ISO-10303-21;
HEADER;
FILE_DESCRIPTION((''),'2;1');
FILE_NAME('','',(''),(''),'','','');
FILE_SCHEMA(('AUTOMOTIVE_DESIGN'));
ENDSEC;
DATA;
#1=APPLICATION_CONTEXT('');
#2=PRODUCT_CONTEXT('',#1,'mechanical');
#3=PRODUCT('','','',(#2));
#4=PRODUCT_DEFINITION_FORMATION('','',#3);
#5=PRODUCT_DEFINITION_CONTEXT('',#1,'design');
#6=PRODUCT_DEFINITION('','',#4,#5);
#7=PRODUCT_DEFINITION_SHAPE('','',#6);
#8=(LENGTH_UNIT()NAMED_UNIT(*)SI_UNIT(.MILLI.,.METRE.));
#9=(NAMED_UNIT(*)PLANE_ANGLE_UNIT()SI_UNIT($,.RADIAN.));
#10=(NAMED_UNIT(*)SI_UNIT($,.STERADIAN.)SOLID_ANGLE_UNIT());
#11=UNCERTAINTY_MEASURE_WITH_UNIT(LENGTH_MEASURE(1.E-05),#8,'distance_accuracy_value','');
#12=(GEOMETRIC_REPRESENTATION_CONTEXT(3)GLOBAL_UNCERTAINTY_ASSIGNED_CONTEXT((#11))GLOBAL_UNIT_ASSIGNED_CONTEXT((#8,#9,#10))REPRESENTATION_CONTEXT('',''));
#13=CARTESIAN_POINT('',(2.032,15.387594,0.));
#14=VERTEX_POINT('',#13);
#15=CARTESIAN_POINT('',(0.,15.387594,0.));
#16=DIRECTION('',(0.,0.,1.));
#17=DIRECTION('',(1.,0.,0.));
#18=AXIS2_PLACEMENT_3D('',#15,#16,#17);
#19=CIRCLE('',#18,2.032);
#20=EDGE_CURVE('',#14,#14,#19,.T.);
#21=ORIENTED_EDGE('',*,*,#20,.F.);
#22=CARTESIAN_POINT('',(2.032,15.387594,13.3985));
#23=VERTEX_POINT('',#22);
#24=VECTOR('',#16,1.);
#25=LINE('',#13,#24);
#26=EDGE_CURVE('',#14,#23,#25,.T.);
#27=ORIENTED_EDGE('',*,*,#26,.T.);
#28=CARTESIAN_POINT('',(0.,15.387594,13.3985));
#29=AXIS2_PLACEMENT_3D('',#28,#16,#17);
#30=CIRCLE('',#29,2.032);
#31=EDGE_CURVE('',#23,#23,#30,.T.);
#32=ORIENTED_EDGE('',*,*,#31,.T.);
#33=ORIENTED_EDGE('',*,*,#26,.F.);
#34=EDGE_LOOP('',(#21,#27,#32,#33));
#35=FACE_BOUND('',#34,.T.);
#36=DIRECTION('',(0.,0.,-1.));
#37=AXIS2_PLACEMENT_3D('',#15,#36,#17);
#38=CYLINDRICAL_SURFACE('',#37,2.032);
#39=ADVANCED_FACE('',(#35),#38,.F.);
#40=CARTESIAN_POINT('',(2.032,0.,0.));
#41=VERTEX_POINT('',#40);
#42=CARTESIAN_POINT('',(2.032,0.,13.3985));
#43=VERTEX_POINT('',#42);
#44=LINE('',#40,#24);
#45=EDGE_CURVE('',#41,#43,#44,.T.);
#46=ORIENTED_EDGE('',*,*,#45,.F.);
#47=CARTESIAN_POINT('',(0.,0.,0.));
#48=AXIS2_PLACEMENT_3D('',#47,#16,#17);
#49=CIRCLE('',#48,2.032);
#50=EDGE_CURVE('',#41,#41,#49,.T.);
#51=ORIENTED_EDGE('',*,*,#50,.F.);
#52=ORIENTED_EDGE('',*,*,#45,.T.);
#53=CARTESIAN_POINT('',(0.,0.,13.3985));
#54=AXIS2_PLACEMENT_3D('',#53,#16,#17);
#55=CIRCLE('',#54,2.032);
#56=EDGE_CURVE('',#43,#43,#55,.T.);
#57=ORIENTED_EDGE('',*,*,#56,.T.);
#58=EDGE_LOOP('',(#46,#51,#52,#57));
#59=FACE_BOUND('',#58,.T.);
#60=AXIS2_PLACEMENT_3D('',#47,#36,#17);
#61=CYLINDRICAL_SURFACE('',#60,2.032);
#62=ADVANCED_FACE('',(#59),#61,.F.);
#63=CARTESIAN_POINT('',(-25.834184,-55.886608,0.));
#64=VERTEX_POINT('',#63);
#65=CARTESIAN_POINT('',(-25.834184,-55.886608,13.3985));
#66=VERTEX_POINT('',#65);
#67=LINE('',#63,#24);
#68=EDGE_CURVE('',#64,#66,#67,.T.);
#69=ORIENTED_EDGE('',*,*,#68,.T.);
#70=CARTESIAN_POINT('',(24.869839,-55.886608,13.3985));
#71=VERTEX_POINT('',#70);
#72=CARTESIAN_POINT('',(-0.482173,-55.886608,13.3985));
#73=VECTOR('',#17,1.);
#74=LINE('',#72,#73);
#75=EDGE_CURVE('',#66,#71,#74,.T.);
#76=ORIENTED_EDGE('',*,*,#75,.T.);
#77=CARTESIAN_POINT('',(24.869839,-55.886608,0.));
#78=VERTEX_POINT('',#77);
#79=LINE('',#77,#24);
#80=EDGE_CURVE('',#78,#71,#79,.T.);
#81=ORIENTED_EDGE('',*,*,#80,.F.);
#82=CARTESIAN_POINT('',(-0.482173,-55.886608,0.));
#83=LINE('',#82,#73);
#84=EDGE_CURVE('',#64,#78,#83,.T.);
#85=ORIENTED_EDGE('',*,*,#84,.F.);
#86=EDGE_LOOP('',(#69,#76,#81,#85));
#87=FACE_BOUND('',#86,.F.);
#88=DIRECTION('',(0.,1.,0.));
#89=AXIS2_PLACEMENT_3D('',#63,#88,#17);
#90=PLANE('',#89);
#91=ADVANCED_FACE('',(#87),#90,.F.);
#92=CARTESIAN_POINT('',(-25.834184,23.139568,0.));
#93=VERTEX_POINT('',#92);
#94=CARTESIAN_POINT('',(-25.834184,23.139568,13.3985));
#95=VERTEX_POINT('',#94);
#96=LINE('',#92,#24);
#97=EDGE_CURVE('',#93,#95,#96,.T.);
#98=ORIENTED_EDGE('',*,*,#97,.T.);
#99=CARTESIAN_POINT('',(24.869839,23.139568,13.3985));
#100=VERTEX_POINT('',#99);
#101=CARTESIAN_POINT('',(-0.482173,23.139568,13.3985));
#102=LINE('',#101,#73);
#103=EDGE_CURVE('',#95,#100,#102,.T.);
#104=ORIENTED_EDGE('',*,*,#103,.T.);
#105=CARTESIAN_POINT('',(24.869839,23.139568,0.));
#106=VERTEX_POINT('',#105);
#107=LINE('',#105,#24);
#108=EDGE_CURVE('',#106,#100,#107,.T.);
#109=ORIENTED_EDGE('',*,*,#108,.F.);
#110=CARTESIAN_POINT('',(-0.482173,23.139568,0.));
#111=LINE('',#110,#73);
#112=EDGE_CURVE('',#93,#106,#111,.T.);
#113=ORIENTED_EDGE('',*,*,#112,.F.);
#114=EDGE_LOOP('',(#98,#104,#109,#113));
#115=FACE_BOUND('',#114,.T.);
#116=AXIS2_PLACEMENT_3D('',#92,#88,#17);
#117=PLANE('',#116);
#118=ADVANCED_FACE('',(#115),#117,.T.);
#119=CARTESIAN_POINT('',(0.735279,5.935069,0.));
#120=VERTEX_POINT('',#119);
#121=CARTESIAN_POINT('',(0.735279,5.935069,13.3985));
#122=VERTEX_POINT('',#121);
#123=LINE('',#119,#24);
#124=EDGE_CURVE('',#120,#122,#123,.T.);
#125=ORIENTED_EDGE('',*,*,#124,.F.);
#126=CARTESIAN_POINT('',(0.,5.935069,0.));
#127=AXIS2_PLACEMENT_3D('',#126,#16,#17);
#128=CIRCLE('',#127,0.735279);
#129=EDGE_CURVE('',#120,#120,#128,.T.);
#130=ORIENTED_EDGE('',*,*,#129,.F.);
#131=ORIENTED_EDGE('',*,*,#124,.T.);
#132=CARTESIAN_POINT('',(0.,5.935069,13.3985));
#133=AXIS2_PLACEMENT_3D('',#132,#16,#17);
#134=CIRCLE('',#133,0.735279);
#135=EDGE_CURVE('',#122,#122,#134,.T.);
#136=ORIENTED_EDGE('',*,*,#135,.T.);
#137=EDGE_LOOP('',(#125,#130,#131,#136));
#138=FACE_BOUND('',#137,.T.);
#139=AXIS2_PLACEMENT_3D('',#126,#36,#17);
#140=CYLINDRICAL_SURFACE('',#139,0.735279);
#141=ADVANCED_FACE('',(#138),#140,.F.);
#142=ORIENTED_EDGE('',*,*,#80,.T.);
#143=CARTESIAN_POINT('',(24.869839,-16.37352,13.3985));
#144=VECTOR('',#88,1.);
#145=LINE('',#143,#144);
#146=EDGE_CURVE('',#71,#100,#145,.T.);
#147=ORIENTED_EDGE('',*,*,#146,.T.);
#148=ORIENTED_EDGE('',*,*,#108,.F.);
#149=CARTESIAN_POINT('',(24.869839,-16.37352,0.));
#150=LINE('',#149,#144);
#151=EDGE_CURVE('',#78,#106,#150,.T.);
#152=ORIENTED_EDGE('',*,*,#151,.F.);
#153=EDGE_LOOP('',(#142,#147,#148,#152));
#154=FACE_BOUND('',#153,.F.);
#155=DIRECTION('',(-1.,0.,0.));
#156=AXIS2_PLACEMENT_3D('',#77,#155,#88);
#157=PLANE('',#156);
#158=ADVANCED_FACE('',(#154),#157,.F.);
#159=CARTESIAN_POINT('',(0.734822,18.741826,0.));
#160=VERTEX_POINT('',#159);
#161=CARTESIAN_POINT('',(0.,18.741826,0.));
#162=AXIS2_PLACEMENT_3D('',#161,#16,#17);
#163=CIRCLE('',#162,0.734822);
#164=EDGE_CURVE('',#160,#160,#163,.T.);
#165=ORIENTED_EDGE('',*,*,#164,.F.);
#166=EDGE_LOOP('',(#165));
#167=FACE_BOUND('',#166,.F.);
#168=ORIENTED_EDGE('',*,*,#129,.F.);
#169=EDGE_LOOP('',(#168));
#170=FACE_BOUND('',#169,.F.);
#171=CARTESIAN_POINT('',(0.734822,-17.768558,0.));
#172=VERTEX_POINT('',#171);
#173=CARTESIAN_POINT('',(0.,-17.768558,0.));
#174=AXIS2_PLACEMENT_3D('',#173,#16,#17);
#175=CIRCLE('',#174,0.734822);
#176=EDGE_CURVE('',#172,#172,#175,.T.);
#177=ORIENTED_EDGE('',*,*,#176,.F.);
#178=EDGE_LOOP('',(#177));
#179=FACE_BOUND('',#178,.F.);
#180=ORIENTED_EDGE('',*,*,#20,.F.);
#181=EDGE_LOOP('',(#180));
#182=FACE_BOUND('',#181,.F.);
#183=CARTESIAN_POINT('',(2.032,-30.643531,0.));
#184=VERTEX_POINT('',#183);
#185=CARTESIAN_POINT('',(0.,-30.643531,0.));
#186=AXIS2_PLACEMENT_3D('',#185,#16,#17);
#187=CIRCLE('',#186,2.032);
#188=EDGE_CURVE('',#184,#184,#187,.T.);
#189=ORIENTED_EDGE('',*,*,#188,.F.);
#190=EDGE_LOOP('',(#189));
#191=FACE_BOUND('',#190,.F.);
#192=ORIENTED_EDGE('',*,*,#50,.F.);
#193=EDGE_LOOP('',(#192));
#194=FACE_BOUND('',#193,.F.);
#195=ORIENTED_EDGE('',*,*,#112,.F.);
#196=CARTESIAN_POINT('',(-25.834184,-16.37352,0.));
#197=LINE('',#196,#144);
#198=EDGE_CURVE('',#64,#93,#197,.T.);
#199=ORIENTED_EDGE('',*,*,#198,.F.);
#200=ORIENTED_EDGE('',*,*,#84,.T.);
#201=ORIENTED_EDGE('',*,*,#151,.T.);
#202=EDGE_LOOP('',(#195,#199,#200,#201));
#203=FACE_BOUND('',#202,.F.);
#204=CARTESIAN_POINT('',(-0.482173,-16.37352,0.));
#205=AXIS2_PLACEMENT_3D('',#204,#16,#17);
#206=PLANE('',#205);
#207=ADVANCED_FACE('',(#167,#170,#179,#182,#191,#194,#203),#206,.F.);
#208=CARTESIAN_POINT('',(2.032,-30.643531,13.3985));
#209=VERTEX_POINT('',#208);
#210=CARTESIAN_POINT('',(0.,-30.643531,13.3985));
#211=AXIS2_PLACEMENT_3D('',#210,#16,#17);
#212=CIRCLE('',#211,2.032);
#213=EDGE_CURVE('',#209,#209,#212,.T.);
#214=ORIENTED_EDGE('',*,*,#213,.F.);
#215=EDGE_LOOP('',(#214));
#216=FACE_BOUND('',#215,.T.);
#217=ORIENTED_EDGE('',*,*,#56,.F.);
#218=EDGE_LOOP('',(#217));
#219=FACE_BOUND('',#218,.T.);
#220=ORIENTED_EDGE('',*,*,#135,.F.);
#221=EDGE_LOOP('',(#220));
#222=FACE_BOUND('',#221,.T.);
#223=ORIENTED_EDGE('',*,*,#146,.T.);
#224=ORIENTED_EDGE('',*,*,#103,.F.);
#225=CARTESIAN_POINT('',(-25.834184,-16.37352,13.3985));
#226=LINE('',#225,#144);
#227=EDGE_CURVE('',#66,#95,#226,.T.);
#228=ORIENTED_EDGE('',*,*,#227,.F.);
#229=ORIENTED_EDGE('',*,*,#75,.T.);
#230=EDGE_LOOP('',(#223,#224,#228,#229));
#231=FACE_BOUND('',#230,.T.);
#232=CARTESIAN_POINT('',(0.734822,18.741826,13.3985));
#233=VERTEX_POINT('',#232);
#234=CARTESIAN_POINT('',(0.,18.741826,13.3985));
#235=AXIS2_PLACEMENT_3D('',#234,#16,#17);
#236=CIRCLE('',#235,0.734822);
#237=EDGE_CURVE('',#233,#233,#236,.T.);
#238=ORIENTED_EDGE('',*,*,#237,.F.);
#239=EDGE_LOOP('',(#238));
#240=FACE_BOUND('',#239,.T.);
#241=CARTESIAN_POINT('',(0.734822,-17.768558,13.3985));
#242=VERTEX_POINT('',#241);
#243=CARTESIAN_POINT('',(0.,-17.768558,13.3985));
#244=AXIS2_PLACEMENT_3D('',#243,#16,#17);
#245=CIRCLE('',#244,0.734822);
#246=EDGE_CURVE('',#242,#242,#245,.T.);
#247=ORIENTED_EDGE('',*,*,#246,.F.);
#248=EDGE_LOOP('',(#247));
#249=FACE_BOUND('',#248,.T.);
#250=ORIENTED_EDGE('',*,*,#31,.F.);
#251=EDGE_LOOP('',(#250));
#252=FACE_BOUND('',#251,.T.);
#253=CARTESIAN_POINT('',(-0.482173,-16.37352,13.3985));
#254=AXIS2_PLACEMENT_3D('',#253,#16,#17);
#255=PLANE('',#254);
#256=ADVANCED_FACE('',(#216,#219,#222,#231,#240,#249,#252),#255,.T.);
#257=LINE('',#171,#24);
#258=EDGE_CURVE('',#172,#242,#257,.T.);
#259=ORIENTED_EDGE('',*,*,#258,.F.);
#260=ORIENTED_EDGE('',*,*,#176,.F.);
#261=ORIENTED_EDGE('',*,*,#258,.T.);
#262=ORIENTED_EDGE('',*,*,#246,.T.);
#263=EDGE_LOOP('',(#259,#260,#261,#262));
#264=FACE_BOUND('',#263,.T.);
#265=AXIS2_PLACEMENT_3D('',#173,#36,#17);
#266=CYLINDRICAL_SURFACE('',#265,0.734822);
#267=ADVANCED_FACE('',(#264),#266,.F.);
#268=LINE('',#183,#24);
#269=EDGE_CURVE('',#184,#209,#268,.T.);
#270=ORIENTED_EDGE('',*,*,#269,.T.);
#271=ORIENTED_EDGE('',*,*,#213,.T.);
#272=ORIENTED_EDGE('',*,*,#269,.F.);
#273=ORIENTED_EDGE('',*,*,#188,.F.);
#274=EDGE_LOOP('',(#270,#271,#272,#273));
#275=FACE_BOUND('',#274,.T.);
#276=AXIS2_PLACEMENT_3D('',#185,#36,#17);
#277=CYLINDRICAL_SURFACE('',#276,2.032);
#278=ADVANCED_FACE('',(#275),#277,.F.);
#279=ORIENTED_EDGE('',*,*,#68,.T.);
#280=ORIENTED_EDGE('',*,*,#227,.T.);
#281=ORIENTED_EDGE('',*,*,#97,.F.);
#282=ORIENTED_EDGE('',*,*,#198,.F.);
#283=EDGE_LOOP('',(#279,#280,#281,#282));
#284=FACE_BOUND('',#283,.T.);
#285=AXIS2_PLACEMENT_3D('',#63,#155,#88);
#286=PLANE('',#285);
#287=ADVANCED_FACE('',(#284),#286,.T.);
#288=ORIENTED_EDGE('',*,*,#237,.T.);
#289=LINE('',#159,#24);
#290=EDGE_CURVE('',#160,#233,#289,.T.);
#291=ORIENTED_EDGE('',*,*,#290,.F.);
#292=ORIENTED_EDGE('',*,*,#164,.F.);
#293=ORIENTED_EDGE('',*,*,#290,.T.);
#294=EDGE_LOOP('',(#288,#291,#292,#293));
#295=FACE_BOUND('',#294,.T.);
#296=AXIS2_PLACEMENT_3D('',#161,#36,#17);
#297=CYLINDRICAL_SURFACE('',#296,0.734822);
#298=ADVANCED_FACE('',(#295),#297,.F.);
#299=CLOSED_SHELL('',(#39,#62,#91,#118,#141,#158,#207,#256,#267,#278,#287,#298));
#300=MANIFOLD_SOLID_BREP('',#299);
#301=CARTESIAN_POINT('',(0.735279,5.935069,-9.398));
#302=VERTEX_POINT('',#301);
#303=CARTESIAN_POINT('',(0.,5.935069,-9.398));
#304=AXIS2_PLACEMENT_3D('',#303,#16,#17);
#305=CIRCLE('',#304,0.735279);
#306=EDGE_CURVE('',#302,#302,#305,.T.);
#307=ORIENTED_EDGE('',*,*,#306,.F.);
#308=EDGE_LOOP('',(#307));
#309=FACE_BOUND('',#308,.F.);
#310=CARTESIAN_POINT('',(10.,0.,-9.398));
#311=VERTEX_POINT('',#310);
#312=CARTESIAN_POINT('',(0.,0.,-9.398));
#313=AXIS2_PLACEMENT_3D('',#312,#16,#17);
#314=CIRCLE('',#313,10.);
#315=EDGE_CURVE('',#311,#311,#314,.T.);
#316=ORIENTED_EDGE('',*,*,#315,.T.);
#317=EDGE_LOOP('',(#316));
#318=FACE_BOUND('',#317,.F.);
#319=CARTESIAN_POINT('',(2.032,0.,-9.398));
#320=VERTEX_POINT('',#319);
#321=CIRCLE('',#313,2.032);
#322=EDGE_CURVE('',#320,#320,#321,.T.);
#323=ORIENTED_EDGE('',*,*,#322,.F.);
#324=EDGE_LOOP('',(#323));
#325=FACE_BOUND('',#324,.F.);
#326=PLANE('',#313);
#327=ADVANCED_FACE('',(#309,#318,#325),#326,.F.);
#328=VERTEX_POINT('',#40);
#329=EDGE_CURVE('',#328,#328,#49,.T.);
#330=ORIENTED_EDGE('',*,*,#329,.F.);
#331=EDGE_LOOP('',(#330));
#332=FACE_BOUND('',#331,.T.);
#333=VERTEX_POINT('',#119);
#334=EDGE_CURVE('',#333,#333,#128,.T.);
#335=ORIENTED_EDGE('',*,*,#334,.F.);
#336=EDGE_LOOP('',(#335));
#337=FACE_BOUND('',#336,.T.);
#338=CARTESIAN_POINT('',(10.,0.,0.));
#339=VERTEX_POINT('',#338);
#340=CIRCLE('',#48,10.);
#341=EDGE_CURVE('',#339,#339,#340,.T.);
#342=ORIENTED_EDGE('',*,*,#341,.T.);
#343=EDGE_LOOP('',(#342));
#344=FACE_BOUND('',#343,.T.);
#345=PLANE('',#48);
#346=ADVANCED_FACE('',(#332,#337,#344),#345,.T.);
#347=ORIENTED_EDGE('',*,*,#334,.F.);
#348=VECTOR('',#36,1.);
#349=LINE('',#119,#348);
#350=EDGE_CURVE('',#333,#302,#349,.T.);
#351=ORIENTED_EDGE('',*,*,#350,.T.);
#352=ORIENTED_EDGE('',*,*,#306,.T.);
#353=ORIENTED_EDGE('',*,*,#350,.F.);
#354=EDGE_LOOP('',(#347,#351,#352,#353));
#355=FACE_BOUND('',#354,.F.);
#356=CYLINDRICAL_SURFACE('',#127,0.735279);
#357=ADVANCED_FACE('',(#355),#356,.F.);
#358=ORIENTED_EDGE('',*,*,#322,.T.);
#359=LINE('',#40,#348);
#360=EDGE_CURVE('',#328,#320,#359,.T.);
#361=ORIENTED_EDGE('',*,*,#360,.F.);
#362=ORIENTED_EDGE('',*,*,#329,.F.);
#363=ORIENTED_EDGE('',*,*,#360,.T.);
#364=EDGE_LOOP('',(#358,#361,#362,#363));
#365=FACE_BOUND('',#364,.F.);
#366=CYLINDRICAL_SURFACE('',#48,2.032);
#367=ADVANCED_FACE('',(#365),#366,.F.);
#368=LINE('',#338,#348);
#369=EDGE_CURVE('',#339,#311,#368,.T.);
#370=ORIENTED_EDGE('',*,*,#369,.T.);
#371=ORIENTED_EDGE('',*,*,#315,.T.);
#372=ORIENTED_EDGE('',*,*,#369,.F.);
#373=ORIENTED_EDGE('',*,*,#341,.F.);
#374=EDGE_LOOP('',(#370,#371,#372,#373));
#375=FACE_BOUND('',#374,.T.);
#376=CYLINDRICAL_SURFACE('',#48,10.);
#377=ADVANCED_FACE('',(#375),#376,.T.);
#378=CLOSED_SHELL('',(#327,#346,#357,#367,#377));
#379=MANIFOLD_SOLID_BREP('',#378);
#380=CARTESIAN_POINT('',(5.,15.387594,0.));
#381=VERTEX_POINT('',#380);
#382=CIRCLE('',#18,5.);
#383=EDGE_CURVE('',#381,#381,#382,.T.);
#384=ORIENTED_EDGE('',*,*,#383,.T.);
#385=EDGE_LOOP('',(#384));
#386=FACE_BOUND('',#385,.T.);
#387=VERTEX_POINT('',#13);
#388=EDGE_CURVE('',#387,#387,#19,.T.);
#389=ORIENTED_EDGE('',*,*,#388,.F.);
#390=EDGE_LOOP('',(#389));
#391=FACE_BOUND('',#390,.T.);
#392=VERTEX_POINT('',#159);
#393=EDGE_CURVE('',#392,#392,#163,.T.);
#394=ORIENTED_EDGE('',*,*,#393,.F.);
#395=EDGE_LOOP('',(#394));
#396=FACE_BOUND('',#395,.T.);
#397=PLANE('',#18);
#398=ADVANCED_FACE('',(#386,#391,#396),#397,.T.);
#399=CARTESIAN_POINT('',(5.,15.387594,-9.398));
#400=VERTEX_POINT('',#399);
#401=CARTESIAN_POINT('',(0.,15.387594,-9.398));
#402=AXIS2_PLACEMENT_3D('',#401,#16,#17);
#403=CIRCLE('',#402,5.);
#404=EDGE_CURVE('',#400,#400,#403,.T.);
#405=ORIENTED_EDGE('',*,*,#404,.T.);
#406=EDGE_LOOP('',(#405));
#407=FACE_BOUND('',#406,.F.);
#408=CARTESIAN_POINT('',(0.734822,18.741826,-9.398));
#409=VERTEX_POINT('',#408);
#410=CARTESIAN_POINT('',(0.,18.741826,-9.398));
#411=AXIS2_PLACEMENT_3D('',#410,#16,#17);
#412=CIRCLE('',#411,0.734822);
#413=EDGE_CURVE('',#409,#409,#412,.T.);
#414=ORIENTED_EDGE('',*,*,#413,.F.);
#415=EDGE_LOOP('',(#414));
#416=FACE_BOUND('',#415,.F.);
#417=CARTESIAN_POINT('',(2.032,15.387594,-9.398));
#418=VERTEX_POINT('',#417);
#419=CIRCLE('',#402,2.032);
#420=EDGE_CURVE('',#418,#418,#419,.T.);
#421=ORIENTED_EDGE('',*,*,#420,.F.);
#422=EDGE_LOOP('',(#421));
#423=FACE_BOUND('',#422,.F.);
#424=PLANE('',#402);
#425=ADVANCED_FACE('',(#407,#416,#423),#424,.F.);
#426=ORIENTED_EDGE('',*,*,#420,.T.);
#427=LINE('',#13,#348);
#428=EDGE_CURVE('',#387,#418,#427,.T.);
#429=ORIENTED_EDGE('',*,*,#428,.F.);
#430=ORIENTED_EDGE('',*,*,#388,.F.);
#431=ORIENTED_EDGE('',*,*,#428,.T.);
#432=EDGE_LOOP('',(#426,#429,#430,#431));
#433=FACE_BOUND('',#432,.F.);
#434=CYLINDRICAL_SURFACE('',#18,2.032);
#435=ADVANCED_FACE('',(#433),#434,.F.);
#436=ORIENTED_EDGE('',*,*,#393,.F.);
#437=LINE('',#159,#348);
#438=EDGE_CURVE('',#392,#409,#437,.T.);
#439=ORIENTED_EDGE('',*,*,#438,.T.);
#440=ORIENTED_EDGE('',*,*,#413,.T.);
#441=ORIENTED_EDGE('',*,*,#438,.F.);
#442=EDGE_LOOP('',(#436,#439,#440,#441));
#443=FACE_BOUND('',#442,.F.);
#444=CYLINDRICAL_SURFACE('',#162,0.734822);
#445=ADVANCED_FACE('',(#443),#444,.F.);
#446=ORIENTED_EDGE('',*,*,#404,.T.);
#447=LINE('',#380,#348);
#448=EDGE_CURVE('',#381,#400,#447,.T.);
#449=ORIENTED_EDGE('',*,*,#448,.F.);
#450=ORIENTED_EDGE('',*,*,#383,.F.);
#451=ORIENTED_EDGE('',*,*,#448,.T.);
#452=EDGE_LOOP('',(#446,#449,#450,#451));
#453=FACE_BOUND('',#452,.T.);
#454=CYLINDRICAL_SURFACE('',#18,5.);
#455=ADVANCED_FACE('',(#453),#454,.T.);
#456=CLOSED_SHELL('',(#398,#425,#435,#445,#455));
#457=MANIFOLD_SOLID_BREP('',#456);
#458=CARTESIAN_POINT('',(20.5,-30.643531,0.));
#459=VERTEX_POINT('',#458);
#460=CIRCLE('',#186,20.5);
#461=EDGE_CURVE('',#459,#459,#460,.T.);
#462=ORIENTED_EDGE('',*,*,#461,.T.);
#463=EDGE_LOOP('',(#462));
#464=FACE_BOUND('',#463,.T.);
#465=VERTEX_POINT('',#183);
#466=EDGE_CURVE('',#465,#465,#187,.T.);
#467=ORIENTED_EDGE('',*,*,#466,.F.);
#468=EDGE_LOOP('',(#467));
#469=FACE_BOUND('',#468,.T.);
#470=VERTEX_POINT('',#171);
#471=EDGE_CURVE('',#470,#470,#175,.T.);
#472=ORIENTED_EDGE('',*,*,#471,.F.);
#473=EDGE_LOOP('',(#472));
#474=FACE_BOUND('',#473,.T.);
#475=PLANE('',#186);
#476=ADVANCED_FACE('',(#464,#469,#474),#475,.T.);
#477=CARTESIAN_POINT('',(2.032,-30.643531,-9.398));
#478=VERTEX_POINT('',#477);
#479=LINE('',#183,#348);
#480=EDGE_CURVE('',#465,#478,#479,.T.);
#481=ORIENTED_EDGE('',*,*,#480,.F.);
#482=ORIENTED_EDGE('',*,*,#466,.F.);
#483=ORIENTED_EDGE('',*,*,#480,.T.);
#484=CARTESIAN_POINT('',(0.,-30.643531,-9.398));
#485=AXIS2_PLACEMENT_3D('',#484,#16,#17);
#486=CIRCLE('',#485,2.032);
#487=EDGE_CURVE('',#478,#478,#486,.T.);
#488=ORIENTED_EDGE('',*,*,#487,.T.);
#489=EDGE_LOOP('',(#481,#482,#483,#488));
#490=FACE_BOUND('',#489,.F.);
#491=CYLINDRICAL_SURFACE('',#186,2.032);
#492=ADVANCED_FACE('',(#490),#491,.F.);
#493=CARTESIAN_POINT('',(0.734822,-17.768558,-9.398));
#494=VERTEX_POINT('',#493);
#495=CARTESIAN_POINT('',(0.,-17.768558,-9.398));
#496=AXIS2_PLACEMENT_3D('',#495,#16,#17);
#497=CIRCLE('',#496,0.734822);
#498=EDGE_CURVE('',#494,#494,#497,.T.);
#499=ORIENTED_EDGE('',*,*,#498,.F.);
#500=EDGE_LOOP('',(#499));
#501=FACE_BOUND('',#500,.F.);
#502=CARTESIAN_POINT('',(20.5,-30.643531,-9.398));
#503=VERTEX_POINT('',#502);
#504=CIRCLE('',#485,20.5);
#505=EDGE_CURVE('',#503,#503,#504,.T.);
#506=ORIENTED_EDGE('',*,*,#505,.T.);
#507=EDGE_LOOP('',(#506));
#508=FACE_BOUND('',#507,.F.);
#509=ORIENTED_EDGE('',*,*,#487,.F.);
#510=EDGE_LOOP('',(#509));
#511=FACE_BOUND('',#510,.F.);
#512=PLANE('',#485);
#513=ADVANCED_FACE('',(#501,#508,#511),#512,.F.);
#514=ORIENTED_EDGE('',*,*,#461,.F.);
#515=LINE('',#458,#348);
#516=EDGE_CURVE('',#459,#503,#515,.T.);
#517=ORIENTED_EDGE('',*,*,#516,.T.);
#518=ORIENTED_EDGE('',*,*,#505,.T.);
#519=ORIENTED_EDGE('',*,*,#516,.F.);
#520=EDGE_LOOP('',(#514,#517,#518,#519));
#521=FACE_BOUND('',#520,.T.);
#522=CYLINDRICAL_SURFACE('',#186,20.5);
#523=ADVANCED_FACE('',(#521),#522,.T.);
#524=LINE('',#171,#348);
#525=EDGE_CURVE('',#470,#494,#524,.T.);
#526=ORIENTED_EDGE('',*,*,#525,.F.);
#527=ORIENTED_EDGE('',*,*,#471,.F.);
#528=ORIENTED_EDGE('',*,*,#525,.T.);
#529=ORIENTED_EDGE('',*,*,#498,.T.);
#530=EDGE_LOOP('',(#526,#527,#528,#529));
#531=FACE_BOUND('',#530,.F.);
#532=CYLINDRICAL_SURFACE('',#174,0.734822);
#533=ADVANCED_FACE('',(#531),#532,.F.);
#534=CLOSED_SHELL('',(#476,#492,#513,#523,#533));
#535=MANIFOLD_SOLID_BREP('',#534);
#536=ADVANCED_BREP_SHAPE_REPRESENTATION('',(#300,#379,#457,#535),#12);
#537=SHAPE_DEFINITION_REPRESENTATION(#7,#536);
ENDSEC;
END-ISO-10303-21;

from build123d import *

# Parameters (mm, degrees)
F0_R     = 5
F0_R_2   = 2.032
F0_R_3   = 0.734822
F0_R_4   = 10
F0_R_5   = 0.735279
F0_R_6   = 20.5
F1_DEPTH = 9.398
F0_W     = 50.704023
F0_H     = 79.026176
F2_DEPTH = 13.3985


with BuildPart() as f1:
    # F0 (on Top) → F1 (new body)
    with BuildSketch(Plane.XY):
        with Locations((0, 15.387594)):
            Circle(F0_R)
        with Locations((0, 15.387594)):
            Circle(F0_R_2, mode=Mode.SUBTRACT)
        with Locations((0, 18.741826)):
            Circle(F0_R_3, mode=Mode.SUBTRACT)
        Circle(F0_R_4)
        Circle(F0_R_2, mode=Mode.SUBTRACT)
        with Locations((0, 5.935069)):
            Circle(F0_R_5, mode=Mode.SUBTRACT)
        with Locations((0, -30.643531)):
            Circle(F0_R_6)
        with Locations((0, -30.643531)):
            Circle(F0_R_2, mode=Mode.SUBTRACT)
        with Locations((0, -17.768558)):
            Circle(F0_R_3, mode=Mode.SUBTRACT)
    extrude(amount=-F1_DEPTH)


with BuildPart() as f2:
    # F0 (on Top) → F2 (new body)
    with BuildSketch(Plane.XY):
        with Locations((-0.482173, -16.37352)):
            Rectangle(F0_W, F0_H)
        with Locations((0, -30.643531)):
            Circle(F0_R_6, mode=Mode.SUBTRACT)
        Circle(F0_R_4, mode=Mode.SUBTRACT)
        with Locations((0, 15.387594)):
            Circle(F0_R, mode=Mode.SUBTRACT)
        Circle(F0_R_4)
        Circle(F0_R_2, mode=Mode.SUBTRACT)
        with Locations((0, 5.935069)):
            Circle(F0_R_5, mode=Mode.SUBTRACT)
        with Locations((0, -30.643531)):
            Circle(F0_R_6)
        with Locations((0, -30.643531)):
            Circle(F0_R_2, mode=Mode.SUBTRACT)
        with Locations((0, -17.768558)):
            Circle(F0_R_3, mode=Mode.SUBTRACT)
        with Locations((0, 15.387594)):
            Circle(F0_R)
        with Locations((0, 15.387594)):
            Circle(F0_R_2, mode=Mode.SUBTRACT)
        with Locations((0, 18.741826)):
            Circle(F0_R_3, mode=Mode.SUBTRACT)
    extrude(amount=F2_DEPTH)


solid = Compound([f1.part, f2.part])
